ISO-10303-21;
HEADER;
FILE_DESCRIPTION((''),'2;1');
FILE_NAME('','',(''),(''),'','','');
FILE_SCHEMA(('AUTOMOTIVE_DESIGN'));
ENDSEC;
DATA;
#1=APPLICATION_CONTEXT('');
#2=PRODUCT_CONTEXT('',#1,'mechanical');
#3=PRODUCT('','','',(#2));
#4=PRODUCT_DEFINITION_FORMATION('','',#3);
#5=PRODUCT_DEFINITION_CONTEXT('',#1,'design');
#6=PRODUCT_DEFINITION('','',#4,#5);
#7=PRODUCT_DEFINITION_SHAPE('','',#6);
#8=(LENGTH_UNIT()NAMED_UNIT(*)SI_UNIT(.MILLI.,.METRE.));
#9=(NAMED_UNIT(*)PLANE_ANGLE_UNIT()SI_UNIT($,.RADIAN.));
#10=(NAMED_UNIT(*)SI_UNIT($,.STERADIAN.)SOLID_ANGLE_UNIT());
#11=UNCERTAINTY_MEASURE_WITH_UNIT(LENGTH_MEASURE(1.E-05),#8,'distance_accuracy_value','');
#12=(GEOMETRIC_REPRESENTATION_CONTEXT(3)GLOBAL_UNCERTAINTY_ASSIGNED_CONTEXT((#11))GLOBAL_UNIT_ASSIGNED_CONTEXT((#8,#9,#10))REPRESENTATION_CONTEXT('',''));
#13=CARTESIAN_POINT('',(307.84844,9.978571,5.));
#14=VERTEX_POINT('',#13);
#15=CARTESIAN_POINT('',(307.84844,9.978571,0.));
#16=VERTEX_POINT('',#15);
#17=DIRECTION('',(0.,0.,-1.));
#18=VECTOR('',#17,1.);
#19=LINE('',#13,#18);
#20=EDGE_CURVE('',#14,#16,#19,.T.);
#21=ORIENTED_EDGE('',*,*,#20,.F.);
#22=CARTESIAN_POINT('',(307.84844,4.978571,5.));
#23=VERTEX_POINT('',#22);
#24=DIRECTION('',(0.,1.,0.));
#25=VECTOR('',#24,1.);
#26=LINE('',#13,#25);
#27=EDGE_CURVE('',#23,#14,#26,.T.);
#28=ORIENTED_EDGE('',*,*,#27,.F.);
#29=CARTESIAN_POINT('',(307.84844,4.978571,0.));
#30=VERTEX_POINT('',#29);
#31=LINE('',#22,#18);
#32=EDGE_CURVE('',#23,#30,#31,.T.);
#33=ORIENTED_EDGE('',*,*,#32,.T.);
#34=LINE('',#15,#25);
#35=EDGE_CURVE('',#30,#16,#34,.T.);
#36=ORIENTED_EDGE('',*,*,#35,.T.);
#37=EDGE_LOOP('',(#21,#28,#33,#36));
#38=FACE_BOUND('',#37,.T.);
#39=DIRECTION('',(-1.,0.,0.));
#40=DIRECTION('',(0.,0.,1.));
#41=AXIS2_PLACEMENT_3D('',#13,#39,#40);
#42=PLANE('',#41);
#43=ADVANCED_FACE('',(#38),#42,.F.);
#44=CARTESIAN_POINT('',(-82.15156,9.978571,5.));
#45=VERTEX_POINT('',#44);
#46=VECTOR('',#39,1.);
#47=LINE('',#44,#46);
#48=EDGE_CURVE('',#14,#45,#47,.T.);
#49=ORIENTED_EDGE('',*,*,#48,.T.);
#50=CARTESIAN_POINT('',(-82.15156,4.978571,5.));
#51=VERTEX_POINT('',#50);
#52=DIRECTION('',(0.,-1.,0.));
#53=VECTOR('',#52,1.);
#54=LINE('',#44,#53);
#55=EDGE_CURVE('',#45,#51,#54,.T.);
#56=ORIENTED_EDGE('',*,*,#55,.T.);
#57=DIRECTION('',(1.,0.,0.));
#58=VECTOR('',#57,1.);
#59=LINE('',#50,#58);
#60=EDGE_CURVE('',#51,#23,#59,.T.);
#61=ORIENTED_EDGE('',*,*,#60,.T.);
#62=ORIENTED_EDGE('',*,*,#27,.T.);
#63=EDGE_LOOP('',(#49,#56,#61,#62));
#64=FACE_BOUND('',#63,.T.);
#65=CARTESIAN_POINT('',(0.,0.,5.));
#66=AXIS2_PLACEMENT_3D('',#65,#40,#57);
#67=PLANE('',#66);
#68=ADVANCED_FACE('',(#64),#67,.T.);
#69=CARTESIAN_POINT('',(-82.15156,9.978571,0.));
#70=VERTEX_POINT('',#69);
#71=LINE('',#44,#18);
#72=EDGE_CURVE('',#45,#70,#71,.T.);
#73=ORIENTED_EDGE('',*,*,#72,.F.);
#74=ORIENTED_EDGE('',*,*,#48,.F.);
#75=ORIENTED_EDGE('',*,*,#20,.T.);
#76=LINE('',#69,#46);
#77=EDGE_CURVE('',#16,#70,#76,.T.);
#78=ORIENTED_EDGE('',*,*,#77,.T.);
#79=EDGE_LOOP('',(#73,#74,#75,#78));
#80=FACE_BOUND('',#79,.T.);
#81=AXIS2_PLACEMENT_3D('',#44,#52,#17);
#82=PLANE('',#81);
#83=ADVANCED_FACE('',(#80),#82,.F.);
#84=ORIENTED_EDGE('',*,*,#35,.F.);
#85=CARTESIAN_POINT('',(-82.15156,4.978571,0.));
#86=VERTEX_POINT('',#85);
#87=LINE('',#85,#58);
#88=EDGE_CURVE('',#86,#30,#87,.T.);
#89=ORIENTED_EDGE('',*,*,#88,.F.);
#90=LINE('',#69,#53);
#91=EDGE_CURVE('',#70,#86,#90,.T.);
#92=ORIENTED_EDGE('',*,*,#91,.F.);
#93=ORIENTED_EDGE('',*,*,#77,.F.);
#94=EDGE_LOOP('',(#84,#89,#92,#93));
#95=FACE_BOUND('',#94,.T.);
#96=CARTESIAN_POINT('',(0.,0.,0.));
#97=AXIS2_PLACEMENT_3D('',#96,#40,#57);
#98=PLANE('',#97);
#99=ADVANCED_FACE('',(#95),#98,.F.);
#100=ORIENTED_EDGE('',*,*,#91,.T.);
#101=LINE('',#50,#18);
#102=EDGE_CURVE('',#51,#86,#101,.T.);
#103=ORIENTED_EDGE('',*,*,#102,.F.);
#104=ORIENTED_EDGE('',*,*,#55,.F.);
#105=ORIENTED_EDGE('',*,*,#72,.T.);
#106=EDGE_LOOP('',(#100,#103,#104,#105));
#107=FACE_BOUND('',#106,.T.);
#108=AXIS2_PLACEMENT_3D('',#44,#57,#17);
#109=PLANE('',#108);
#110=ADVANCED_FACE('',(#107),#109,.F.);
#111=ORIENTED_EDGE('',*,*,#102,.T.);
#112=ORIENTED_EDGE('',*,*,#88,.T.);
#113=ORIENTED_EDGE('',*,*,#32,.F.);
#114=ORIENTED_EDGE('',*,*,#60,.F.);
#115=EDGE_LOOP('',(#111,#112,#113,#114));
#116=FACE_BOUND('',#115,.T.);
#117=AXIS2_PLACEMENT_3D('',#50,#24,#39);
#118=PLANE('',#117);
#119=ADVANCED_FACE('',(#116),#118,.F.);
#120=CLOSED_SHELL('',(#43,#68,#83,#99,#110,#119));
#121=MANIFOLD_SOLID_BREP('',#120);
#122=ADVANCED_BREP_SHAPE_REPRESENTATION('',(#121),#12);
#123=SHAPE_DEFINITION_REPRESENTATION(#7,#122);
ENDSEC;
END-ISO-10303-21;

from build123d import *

# Parameters (mm, degrees)
SKETCH_1_W      = 390
SKETCH_1_H      = 5
EXTRUDE_1_DEPTH = 5


with BuildPart() as part:
    # ｽｹｯﾁ1 → ﾎﾞｽ - 押し出し1 (new body)
    with BuildSketch(Plane.XY):
        with Locations((112.848439705, 7.478571429)):
            Rectangle(SKETCH_1_W, SKETCH_1_H)
    extrude(amount=EXTRUDE_1_DEPTH)


solid = part.part
